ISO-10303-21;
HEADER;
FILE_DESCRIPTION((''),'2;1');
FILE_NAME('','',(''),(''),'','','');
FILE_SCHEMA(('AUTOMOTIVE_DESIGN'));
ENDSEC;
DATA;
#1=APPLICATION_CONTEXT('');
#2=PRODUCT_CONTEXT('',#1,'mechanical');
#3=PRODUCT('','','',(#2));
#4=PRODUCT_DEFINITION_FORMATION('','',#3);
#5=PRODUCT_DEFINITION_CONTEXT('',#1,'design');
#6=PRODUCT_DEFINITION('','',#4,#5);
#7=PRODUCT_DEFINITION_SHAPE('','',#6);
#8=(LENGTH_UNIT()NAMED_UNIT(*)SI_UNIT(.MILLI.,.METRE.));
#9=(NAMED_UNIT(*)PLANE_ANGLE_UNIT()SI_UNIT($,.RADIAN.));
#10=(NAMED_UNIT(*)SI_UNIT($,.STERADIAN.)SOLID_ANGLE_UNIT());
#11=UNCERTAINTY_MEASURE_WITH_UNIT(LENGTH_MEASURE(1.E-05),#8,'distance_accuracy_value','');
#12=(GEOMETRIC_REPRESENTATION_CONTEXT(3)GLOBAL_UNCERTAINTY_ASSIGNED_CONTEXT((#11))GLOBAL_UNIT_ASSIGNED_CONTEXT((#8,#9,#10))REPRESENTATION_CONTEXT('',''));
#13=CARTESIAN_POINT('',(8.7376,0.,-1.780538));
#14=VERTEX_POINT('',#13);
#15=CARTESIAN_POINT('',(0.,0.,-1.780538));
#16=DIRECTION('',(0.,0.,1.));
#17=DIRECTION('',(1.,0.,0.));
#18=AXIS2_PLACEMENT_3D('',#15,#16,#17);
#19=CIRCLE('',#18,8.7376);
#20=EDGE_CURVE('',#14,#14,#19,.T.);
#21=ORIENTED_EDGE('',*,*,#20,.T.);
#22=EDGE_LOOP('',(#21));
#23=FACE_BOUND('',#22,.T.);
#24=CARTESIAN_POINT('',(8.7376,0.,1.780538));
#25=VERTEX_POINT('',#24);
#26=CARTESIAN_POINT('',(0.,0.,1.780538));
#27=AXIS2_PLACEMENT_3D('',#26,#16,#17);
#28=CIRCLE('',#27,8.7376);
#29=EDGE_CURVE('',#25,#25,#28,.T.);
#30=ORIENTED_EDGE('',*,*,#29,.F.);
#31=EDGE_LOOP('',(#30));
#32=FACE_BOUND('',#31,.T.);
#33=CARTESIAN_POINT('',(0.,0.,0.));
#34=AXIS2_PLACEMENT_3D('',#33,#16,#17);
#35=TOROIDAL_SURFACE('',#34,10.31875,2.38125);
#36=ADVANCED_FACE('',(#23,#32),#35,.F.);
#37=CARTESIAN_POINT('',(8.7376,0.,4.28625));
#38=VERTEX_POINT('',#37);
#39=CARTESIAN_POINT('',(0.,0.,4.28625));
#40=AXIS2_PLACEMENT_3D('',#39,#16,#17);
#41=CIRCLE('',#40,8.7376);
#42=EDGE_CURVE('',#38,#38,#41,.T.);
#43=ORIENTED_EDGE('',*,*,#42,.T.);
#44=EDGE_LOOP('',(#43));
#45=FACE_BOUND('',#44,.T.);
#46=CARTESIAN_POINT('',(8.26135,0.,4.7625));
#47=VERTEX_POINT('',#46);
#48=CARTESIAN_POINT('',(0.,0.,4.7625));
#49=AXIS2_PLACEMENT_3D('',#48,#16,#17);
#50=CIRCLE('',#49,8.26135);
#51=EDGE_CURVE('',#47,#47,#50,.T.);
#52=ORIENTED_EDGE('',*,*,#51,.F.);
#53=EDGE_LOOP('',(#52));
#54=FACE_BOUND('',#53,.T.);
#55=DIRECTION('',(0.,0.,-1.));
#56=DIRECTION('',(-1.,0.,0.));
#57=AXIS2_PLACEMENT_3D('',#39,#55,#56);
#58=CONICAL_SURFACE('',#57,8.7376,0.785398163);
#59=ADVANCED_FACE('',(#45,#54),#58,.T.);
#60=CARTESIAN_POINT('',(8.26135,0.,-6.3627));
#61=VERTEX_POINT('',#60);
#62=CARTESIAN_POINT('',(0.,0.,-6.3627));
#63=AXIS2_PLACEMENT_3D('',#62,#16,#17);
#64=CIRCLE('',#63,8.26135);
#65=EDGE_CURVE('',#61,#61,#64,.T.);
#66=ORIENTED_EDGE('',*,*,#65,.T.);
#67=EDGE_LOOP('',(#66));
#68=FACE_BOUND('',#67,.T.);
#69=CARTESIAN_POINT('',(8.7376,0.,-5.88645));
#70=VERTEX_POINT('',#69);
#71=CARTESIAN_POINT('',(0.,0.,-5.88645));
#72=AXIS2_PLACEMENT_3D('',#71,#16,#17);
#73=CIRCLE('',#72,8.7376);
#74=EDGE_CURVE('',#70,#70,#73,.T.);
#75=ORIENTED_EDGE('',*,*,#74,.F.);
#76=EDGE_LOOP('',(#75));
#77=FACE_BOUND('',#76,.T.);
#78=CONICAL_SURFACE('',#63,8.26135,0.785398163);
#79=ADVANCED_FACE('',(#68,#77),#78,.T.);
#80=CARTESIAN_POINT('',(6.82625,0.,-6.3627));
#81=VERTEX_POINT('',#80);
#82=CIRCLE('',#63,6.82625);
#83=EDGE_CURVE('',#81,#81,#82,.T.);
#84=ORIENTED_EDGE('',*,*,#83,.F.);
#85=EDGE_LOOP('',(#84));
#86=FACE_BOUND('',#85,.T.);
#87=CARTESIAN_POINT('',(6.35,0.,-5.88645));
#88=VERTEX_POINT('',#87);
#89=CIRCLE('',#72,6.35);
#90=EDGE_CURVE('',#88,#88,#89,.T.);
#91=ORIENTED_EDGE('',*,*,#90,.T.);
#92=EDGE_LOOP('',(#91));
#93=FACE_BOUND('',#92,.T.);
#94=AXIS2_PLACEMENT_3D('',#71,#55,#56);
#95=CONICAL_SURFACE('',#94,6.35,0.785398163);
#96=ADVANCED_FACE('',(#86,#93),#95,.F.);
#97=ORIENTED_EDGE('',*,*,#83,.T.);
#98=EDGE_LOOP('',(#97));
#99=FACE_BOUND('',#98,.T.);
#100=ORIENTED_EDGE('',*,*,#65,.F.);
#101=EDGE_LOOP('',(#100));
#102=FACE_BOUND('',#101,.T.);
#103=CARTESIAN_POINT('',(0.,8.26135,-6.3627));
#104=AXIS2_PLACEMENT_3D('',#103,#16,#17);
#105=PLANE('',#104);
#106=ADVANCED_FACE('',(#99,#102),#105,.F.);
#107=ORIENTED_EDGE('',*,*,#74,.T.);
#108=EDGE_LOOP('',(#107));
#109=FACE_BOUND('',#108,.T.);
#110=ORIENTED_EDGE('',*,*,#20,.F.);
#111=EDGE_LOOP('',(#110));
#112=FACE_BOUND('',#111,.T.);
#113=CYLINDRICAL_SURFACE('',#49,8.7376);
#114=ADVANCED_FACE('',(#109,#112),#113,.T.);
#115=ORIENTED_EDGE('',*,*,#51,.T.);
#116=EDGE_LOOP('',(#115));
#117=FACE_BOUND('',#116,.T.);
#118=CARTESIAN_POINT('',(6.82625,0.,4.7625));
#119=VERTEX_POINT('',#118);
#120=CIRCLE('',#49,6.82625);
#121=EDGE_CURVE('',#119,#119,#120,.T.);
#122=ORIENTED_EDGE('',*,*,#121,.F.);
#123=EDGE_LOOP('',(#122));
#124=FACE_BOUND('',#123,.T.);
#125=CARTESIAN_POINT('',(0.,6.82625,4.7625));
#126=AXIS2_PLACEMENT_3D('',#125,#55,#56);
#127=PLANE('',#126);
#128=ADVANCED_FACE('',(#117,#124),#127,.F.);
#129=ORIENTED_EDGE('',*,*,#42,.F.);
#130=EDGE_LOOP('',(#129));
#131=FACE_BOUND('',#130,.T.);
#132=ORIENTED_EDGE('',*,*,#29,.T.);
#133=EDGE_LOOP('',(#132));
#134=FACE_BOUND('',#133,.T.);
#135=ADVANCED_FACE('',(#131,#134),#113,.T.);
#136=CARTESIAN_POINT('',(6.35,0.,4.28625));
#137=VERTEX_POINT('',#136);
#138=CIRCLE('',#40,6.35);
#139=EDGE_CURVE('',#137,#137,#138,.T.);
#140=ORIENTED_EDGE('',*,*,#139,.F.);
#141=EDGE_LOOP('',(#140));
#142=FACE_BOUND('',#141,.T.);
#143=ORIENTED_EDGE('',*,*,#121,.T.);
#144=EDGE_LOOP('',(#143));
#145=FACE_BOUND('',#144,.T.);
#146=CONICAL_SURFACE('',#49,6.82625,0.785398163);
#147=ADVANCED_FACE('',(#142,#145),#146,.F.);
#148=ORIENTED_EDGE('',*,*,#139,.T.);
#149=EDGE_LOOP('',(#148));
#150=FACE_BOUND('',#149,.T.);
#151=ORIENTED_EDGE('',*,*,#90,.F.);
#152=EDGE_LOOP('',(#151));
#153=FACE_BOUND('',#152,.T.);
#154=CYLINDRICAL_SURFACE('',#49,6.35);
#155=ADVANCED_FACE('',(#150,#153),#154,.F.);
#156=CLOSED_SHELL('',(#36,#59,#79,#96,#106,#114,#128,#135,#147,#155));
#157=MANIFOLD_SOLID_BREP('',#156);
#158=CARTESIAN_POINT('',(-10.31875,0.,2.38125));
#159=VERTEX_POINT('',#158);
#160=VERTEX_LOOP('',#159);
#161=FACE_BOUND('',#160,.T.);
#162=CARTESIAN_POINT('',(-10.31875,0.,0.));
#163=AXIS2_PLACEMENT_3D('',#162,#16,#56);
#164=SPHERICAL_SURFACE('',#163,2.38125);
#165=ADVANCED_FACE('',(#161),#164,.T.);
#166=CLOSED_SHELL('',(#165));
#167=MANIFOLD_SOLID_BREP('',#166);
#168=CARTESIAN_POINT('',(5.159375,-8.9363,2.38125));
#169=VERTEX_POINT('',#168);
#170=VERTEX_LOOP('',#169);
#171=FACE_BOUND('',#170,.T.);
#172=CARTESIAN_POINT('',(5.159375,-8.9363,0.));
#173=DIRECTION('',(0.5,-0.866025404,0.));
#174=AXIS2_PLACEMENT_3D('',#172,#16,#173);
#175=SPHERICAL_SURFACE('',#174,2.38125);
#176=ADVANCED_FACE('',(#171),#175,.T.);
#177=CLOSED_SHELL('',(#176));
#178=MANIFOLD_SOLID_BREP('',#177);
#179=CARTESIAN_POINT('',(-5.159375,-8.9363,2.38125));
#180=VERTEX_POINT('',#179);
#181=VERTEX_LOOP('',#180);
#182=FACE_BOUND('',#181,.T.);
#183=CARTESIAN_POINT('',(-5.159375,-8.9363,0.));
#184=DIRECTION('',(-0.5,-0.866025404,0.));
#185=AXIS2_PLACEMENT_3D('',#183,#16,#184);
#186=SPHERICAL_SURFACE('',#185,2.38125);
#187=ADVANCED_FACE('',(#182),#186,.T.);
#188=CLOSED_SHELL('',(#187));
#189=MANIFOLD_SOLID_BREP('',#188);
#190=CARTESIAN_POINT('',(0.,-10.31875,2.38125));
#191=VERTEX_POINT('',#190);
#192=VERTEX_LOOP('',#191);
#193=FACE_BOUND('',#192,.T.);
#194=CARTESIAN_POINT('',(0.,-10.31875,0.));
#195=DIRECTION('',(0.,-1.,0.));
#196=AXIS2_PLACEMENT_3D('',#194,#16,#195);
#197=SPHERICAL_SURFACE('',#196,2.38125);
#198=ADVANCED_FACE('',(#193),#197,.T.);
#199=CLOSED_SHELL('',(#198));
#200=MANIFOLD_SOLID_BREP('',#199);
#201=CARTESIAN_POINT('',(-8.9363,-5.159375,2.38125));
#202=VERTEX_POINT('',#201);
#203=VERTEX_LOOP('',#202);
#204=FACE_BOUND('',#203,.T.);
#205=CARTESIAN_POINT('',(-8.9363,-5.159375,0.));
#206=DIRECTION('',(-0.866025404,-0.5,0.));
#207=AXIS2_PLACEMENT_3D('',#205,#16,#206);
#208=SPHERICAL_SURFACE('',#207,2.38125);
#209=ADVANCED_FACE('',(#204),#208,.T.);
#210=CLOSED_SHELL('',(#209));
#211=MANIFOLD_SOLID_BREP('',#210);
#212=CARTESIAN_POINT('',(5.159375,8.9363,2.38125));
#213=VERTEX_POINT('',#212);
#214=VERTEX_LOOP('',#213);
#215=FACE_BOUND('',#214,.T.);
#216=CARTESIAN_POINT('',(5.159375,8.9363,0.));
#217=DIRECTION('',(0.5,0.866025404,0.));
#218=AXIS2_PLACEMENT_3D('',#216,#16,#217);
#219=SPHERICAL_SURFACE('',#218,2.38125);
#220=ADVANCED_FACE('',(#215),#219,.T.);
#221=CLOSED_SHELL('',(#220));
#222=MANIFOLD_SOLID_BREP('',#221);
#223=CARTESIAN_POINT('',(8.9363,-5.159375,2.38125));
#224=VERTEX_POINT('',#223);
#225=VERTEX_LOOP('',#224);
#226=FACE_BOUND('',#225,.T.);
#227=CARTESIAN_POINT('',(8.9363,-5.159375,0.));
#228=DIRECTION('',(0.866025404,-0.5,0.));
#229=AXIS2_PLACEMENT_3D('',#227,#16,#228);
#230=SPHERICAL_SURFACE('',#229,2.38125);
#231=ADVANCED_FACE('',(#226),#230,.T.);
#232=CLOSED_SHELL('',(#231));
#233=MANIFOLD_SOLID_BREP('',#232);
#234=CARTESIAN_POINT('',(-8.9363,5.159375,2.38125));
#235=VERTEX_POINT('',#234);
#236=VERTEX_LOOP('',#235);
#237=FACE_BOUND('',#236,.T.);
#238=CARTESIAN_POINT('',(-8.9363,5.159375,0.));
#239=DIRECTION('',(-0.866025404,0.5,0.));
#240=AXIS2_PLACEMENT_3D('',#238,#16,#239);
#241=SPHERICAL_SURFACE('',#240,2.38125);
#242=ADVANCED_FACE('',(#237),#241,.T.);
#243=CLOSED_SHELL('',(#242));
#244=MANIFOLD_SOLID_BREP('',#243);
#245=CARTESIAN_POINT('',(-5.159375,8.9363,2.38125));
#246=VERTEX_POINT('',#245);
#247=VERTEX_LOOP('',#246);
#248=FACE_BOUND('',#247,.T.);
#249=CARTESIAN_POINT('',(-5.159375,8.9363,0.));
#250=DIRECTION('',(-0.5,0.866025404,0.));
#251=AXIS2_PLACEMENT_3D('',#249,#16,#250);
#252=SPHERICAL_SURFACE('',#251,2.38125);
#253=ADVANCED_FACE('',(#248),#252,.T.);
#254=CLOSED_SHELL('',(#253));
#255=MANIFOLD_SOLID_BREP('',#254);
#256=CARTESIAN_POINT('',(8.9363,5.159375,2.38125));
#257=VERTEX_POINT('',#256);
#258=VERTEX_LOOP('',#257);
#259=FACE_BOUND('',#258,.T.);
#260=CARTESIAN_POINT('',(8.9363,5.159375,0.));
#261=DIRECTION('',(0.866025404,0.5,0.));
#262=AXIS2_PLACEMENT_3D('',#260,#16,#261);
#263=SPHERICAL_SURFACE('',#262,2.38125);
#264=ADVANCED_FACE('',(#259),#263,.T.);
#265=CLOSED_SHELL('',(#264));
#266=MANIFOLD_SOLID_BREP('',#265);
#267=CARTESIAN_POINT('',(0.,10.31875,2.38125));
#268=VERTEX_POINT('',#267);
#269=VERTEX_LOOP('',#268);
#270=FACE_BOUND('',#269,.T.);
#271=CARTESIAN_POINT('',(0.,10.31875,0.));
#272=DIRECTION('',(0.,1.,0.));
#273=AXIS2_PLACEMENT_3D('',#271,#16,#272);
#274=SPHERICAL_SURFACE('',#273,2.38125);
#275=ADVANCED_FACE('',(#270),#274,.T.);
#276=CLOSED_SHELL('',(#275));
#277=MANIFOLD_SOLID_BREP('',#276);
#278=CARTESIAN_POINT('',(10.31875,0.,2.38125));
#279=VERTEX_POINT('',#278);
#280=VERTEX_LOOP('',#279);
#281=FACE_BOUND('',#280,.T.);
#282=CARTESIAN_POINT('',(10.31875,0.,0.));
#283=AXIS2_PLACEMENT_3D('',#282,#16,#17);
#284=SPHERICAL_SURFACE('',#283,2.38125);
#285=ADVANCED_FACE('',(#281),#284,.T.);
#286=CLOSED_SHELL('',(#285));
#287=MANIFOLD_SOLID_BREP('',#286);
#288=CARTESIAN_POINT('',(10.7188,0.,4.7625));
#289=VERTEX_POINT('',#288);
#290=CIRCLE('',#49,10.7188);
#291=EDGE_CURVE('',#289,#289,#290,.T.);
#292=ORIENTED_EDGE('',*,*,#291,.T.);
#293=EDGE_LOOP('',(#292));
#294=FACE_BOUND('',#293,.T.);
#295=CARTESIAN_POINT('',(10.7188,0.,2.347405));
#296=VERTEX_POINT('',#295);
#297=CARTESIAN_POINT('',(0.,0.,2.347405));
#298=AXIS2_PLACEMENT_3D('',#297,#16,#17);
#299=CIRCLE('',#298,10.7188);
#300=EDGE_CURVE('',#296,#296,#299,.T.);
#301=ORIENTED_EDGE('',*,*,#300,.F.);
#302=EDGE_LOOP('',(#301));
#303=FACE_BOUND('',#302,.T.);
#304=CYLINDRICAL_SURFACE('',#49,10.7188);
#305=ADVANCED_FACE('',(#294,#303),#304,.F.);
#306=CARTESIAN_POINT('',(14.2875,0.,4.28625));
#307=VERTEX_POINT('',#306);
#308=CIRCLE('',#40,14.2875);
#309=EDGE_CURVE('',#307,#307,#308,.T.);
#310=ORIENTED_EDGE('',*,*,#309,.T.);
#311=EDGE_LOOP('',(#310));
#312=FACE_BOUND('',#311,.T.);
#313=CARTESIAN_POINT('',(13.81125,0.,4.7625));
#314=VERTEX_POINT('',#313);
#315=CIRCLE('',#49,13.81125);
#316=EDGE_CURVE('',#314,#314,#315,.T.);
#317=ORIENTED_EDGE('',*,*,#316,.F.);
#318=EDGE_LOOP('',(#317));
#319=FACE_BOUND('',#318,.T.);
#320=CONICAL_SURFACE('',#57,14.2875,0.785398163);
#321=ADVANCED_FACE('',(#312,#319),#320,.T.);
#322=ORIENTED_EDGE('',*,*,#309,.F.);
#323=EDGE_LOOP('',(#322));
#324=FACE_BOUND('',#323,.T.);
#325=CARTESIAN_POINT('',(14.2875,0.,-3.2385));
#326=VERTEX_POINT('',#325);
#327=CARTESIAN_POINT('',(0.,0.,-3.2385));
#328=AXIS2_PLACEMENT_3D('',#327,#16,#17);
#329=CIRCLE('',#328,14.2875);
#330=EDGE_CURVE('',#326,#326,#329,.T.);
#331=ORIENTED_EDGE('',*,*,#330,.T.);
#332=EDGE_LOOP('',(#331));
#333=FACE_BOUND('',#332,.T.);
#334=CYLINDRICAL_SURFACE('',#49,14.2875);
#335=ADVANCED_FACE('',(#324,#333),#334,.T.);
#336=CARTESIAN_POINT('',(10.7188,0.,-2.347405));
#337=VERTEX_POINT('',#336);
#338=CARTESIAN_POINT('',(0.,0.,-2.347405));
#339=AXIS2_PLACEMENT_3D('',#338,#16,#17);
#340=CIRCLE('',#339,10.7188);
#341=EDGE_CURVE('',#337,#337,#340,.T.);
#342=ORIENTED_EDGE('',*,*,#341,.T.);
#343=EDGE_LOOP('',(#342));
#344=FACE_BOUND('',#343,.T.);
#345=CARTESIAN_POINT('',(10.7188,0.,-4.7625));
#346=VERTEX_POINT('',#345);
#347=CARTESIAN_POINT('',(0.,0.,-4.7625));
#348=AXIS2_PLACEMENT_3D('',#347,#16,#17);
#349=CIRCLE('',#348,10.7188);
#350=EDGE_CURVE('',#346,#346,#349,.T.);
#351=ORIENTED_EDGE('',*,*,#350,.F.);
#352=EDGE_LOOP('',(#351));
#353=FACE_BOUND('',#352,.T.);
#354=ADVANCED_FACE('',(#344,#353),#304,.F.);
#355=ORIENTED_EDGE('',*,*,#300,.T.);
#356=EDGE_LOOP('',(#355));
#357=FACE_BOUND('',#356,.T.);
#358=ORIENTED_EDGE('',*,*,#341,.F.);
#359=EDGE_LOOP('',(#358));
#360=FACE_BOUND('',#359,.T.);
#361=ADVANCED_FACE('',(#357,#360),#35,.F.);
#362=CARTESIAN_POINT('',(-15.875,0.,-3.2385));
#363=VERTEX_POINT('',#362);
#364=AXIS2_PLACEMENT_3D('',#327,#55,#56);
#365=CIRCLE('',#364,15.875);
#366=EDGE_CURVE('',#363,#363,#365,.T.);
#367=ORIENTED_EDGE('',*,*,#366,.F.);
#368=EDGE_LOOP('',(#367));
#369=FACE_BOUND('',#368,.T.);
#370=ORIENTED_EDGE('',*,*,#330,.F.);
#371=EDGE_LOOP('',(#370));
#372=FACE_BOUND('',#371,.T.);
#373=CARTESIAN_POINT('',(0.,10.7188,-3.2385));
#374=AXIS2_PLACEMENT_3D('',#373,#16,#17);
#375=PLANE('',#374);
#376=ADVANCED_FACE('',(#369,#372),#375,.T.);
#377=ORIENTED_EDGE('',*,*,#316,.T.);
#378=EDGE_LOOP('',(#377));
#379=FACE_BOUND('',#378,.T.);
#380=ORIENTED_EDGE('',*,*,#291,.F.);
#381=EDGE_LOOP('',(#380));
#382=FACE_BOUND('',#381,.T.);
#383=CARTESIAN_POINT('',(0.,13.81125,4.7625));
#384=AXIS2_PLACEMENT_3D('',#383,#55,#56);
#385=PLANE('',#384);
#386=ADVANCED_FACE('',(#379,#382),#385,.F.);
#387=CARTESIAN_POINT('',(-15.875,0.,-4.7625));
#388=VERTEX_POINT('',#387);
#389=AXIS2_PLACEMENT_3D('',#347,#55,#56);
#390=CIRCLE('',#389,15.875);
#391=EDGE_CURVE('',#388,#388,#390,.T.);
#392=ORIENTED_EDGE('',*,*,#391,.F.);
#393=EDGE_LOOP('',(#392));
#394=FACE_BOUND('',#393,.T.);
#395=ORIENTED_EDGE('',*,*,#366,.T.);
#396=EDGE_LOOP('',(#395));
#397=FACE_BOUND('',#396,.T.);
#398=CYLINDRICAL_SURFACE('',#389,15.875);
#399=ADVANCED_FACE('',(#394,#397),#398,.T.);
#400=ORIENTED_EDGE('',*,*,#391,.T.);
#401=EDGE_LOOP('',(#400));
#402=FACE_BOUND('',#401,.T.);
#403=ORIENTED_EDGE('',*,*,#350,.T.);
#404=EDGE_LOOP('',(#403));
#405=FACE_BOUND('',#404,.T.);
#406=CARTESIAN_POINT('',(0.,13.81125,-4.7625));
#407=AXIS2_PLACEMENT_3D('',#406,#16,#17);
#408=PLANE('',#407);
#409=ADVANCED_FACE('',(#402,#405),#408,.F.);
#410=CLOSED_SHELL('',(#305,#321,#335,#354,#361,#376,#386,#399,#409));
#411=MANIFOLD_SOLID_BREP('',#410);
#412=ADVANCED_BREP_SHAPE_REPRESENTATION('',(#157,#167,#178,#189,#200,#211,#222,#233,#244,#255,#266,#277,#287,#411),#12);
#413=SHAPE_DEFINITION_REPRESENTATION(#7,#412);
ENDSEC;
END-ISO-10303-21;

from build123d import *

# Parameters (mm, degrees)
SKETCH6_W         = 1.524
SKETCH6_H         = 5.1562
CIRPATTERN1_COUNT = 12


with BuildPart() as part:
    # Sketch1 → Revolve1 (revolve)
    with BuildSketch(Plane(origin=(0, 0, 0), x_dir=(0, 0, -1), z_dir=(1, 0, 0))):
        with BuildLine():
            Line((4.28625, 14.2875), (-4.28625, 14.2875))
            Line((-4.28625, 14.2875), (-4.7625, 13.81125))
            Line((-4.7625, 13.81125), (-4.7625, 10.7188))
            Line((-4.7625, 10.7188), (-2.347405282, 10.7188))
            ThreePointArc((-2.347405282, 10.7188), (0, 12.7), (2.347405282, 10.7188))
            Line((2.347405282, 10.7188), (4.7625, 10.7188))
            Line((4.7625, 10.7188), (4.7625, 13.81125))
            Line((4.7625, 13.81125), (4.28625, 14.2875))
        make_face()
    revolve(axis=Axis((0, 0, 4.7625), (0, 0, -1)))

    # Sketch6 → Revolve6 (revolve)
    with BuildSketch(Plane(origin=(0, 0, 0), x_dir=(0, 0, -1), z_dir=(1, 0, 0))):
        with Locations((4.0005, 13.2969)):
            Rectangle(SKETCH6_W, SKETCH6_H)
    revolve(axis=Axis((0, 0, -4.7625), (0, 0, 1)))


with BuildPart() as body_2:
    # Sketch3 → Revolve3 (revolve)
    with BuildSketch(Plane(origin=(0, 0, 0), x_dir=(0, 0, -1), z_dir=(1, 0, 0))):
        with BuildLine():
            Line((-4.7625, 6.82625), (-4.7625, 8.26135))
            Line((-4.7625, 8.26135), (-4.28625, 8.7376))
            Line((-4.28625, 8.7376), (-1.780538188, 8.7376))
            ThreePointArc((-1.780538188, 8.7376), (0, 7.9375), (1.780538188, 8.7376))
            Line((1.780538188, 8.7376), (5.88645, 8.7376))
            Line((5.88645, 8.7376), (6.3627, 8.26135))
            Line((6.3627, 8.26135), (6.3627, 6.82625))
            Line((6.3627, 6.82625), (5.88645, 6.35))
            Line((5.88645, 6.35), (-4.28625, 6.35))
            Line((-4.28625, 6.35), (-4.7625, 6.82625))
        make_face()
    revolve(axis=Axis((0, 0, 4.7625), (0, 0, -1)))


with BuildPart() as body_3:
    # Sketch4 → Revolve4 (revolve)
    with BuildSketch(Plane(origin=(0, 0, 0), x_dir=(0, 0, -1), z_dir=(1, 0, 0))):
        with BuildLine():
            Line((-2.38125, 10.31875), (2.38125, 10.31875))
            ThreePointArc((2.38125, 10.31875), (0, 12.7), (-2.38125, 10.31875))
        make_face()
    revolve(axis=Axis((0, 10.31875, 2.38125), (0, 0, -1)))


with BuildPart() as cirpattern1_1:
    # CirPattern1: pattern copy
    add(body_3.part.rotate(Axis((0, 0, -4.7625), (0, 0, 1)), 1 * 360 / CIRPATTERN1_COUNT))


with BuildPart() as cirpattern1_2:
    # CirPattern1: pattern copy
    add(body_3.part.rotate(Axis((0, 0, -4.7625), (0, 0, 1)), 2 * 360 / CIRPATTERN1_COUNT))


with BuildPart() as cirpattern1_3:
    # CirPattern1: pattern copy
    add(body_3.part.rotate(Axis((0, 0, -4.7625), (0, 0, 1)), 3 * 360 / CIRPATTERN1_COUNT))


with BuildPart() as cirpattern1_4:
    # CirPattern1: pattern copy
    add(body_3.part.rotate(Axis((0, 0, -4.7625), (0, 0, 1)), 4 * 360 / CIRPATTERN1_COUNT))


with BuildPart() as cirpattern1_5:
    # CirPattern1: pattern copy
    add(body_3.part.rotate(Axis((0, 0, -4.7625), (0, 0, 1)), 5 * 360 / CIRPATTERN1_COUNT))


with BuildPart() as cirpattern1_6:
    # CirPattern1: pattern copy
    add(body_3.part.rotate(Axis((0, 0, -4.7625), (0, 0, 1)), 6 * 360 / CIRPATTERN1_COUNT))


with BuildPart() as cirpattern1_7:
    # CirPattern1: pattern copy
    add(body_3.part.rotate(Axis((0, 0, -4.7625), (0, 0, 1)), 7 * 360 / CIRPATTERN1_COUNT))


with BuildPart() as cirpattern1_8:
    # CirPattern1: pattern copy
    add(body_3.part.rotate(Axis((0, 0, -4.7625), (0, 0, 1)), 8 * 360 / CIRPATTERN1_COUNT))


with BuildPart() as cirpattern1_9:
    # CirPattern1: pattern copy
    add(body_3.part.rotate(Axis((0, 0, -4.7625), (0, 0, 1)), 9 * 360 / CIRPATTERN1_COUNT))


with BuildPart() as cirpattern1_10:
    # CirPattern1: pattern copy
    add(body_3.part.rotate(Axis((0, 0, -4.7625), (0, 0, 1)), 10 * 360 / CIRPATTERN1_COUNT))


with BuildPart() as cirpattern1_11:
    # CirPattern1: pattern copy
    add(body_3.part.rotate(Axis((0, 0, -4.7625), (0, 0, 1)), 11 * 360 / CIRPATTERN1_COUNT))


solid = Compound([part.part, body_2.part, body_3.part, cirpattern1_1.part, cirpattern1_2.part, cirpattern1_3.part, cirpattern1_4.part, cirpattern1_5.part, cirpattern1_6.part, cirpattern1_7.part, cirpattern1_8.part, cirpattern1_9.part, cirpattern1_10.part, cirpattern1_11.part])
